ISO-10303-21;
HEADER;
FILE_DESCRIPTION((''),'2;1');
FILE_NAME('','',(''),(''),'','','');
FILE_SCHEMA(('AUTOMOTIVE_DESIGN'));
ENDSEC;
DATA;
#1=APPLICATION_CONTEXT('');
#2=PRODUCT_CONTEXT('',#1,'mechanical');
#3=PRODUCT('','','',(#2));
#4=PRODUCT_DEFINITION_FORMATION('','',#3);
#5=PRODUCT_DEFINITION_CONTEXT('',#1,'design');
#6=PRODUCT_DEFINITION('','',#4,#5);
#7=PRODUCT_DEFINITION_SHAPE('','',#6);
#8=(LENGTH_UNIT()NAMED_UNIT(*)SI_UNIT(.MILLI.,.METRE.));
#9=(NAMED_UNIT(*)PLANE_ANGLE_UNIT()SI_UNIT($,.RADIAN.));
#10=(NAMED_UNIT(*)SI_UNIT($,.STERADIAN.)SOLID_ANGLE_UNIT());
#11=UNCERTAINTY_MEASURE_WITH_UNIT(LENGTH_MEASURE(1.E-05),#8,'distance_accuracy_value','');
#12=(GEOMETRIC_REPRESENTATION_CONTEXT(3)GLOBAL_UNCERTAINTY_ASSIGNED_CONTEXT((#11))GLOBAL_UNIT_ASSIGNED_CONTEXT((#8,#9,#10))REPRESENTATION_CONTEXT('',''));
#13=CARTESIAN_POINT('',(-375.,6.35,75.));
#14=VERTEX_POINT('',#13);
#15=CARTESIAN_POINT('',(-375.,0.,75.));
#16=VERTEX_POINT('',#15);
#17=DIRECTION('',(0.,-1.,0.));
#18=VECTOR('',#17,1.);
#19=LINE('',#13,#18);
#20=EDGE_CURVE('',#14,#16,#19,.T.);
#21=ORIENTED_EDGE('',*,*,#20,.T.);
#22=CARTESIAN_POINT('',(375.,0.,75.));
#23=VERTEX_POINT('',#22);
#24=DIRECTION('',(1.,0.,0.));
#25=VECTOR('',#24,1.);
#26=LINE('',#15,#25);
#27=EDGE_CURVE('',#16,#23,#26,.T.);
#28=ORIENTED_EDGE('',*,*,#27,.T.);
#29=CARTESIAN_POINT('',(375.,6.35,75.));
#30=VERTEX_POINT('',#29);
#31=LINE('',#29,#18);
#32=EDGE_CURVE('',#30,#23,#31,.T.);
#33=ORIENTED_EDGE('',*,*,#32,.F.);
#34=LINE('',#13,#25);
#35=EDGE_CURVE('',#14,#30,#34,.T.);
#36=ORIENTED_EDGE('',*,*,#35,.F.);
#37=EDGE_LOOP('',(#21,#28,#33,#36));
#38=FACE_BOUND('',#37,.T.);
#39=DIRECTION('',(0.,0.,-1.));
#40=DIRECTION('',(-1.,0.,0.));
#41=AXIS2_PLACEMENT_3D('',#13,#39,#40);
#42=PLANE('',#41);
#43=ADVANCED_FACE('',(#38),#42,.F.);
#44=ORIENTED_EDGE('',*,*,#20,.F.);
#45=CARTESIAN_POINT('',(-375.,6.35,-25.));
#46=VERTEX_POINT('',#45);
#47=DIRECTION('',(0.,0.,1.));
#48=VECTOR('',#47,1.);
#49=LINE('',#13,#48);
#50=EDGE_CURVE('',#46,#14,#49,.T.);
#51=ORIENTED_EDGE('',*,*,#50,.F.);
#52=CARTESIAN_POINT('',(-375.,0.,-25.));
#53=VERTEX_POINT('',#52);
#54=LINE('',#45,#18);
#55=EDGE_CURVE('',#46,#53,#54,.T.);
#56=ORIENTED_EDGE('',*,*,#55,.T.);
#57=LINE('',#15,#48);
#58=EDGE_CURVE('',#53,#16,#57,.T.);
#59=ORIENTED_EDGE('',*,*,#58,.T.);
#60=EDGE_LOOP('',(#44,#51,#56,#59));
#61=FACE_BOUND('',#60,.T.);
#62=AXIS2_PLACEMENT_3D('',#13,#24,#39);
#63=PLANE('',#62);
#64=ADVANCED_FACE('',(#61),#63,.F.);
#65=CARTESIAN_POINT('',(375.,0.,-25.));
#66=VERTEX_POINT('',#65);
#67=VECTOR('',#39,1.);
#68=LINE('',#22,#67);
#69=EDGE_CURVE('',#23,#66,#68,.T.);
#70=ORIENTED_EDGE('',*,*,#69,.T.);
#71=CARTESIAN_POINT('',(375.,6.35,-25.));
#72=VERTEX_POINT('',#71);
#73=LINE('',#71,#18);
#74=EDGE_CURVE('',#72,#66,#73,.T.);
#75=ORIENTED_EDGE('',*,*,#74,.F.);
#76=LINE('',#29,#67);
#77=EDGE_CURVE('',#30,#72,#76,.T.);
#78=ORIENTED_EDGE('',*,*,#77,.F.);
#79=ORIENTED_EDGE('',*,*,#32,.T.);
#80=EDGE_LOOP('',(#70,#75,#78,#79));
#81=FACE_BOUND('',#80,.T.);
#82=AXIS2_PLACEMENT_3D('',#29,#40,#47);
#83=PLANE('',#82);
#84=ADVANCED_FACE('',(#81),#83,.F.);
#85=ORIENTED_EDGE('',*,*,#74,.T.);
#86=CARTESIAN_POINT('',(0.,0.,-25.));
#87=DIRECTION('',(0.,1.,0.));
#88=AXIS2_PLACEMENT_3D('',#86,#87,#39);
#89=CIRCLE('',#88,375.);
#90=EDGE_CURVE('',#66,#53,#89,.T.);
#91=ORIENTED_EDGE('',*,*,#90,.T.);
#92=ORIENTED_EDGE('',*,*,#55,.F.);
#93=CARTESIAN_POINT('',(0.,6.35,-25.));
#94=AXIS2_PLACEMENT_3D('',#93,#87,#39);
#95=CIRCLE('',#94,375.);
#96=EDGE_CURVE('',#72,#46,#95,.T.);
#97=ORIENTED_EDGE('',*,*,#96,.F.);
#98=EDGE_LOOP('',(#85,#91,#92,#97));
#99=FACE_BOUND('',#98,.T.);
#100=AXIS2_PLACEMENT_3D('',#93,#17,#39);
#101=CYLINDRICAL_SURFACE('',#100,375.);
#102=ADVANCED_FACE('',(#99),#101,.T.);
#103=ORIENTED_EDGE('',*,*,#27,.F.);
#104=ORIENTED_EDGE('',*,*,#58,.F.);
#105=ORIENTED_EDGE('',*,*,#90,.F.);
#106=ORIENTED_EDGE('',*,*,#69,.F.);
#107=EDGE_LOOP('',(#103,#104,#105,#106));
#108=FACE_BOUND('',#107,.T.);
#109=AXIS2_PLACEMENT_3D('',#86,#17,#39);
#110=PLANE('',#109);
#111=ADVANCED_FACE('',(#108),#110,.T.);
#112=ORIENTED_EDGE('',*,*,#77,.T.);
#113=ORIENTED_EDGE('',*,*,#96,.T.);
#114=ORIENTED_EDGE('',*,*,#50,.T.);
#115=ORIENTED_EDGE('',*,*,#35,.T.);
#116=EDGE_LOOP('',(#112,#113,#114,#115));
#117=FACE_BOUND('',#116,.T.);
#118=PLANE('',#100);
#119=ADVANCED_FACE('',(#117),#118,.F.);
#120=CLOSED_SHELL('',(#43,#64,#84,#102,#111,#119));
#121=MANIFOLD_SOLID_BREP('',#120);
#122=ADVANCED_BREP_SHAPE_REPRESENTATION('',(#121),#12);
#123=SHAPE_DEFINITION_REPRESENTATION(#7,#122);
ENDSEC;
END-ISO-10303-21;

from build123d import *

# Parameters (mm, degrees)
BOSS_EXTRU_3_DEPTH = 6.35


with BuildPart() as part:
    # Esquisse2 → Boss.-Extru.3 (new body)
    with BuildSketch(Plane(origin=(0, 0, 0), x_dir=(1, 0, 0), z_dir=(0, 1, 0))):
        with BuildLine():
            Line((-375, -75), (375, -75))
            Line((375, -75), (375, 25))
            ThreePointArc((375, 25), (0, 400), (-375, 25))
            Line((-375, 25), (-375, -75))
        make_face()
    extrude(amount=BOSS_EXTRU_3_DEPTH)


solid = part.part
